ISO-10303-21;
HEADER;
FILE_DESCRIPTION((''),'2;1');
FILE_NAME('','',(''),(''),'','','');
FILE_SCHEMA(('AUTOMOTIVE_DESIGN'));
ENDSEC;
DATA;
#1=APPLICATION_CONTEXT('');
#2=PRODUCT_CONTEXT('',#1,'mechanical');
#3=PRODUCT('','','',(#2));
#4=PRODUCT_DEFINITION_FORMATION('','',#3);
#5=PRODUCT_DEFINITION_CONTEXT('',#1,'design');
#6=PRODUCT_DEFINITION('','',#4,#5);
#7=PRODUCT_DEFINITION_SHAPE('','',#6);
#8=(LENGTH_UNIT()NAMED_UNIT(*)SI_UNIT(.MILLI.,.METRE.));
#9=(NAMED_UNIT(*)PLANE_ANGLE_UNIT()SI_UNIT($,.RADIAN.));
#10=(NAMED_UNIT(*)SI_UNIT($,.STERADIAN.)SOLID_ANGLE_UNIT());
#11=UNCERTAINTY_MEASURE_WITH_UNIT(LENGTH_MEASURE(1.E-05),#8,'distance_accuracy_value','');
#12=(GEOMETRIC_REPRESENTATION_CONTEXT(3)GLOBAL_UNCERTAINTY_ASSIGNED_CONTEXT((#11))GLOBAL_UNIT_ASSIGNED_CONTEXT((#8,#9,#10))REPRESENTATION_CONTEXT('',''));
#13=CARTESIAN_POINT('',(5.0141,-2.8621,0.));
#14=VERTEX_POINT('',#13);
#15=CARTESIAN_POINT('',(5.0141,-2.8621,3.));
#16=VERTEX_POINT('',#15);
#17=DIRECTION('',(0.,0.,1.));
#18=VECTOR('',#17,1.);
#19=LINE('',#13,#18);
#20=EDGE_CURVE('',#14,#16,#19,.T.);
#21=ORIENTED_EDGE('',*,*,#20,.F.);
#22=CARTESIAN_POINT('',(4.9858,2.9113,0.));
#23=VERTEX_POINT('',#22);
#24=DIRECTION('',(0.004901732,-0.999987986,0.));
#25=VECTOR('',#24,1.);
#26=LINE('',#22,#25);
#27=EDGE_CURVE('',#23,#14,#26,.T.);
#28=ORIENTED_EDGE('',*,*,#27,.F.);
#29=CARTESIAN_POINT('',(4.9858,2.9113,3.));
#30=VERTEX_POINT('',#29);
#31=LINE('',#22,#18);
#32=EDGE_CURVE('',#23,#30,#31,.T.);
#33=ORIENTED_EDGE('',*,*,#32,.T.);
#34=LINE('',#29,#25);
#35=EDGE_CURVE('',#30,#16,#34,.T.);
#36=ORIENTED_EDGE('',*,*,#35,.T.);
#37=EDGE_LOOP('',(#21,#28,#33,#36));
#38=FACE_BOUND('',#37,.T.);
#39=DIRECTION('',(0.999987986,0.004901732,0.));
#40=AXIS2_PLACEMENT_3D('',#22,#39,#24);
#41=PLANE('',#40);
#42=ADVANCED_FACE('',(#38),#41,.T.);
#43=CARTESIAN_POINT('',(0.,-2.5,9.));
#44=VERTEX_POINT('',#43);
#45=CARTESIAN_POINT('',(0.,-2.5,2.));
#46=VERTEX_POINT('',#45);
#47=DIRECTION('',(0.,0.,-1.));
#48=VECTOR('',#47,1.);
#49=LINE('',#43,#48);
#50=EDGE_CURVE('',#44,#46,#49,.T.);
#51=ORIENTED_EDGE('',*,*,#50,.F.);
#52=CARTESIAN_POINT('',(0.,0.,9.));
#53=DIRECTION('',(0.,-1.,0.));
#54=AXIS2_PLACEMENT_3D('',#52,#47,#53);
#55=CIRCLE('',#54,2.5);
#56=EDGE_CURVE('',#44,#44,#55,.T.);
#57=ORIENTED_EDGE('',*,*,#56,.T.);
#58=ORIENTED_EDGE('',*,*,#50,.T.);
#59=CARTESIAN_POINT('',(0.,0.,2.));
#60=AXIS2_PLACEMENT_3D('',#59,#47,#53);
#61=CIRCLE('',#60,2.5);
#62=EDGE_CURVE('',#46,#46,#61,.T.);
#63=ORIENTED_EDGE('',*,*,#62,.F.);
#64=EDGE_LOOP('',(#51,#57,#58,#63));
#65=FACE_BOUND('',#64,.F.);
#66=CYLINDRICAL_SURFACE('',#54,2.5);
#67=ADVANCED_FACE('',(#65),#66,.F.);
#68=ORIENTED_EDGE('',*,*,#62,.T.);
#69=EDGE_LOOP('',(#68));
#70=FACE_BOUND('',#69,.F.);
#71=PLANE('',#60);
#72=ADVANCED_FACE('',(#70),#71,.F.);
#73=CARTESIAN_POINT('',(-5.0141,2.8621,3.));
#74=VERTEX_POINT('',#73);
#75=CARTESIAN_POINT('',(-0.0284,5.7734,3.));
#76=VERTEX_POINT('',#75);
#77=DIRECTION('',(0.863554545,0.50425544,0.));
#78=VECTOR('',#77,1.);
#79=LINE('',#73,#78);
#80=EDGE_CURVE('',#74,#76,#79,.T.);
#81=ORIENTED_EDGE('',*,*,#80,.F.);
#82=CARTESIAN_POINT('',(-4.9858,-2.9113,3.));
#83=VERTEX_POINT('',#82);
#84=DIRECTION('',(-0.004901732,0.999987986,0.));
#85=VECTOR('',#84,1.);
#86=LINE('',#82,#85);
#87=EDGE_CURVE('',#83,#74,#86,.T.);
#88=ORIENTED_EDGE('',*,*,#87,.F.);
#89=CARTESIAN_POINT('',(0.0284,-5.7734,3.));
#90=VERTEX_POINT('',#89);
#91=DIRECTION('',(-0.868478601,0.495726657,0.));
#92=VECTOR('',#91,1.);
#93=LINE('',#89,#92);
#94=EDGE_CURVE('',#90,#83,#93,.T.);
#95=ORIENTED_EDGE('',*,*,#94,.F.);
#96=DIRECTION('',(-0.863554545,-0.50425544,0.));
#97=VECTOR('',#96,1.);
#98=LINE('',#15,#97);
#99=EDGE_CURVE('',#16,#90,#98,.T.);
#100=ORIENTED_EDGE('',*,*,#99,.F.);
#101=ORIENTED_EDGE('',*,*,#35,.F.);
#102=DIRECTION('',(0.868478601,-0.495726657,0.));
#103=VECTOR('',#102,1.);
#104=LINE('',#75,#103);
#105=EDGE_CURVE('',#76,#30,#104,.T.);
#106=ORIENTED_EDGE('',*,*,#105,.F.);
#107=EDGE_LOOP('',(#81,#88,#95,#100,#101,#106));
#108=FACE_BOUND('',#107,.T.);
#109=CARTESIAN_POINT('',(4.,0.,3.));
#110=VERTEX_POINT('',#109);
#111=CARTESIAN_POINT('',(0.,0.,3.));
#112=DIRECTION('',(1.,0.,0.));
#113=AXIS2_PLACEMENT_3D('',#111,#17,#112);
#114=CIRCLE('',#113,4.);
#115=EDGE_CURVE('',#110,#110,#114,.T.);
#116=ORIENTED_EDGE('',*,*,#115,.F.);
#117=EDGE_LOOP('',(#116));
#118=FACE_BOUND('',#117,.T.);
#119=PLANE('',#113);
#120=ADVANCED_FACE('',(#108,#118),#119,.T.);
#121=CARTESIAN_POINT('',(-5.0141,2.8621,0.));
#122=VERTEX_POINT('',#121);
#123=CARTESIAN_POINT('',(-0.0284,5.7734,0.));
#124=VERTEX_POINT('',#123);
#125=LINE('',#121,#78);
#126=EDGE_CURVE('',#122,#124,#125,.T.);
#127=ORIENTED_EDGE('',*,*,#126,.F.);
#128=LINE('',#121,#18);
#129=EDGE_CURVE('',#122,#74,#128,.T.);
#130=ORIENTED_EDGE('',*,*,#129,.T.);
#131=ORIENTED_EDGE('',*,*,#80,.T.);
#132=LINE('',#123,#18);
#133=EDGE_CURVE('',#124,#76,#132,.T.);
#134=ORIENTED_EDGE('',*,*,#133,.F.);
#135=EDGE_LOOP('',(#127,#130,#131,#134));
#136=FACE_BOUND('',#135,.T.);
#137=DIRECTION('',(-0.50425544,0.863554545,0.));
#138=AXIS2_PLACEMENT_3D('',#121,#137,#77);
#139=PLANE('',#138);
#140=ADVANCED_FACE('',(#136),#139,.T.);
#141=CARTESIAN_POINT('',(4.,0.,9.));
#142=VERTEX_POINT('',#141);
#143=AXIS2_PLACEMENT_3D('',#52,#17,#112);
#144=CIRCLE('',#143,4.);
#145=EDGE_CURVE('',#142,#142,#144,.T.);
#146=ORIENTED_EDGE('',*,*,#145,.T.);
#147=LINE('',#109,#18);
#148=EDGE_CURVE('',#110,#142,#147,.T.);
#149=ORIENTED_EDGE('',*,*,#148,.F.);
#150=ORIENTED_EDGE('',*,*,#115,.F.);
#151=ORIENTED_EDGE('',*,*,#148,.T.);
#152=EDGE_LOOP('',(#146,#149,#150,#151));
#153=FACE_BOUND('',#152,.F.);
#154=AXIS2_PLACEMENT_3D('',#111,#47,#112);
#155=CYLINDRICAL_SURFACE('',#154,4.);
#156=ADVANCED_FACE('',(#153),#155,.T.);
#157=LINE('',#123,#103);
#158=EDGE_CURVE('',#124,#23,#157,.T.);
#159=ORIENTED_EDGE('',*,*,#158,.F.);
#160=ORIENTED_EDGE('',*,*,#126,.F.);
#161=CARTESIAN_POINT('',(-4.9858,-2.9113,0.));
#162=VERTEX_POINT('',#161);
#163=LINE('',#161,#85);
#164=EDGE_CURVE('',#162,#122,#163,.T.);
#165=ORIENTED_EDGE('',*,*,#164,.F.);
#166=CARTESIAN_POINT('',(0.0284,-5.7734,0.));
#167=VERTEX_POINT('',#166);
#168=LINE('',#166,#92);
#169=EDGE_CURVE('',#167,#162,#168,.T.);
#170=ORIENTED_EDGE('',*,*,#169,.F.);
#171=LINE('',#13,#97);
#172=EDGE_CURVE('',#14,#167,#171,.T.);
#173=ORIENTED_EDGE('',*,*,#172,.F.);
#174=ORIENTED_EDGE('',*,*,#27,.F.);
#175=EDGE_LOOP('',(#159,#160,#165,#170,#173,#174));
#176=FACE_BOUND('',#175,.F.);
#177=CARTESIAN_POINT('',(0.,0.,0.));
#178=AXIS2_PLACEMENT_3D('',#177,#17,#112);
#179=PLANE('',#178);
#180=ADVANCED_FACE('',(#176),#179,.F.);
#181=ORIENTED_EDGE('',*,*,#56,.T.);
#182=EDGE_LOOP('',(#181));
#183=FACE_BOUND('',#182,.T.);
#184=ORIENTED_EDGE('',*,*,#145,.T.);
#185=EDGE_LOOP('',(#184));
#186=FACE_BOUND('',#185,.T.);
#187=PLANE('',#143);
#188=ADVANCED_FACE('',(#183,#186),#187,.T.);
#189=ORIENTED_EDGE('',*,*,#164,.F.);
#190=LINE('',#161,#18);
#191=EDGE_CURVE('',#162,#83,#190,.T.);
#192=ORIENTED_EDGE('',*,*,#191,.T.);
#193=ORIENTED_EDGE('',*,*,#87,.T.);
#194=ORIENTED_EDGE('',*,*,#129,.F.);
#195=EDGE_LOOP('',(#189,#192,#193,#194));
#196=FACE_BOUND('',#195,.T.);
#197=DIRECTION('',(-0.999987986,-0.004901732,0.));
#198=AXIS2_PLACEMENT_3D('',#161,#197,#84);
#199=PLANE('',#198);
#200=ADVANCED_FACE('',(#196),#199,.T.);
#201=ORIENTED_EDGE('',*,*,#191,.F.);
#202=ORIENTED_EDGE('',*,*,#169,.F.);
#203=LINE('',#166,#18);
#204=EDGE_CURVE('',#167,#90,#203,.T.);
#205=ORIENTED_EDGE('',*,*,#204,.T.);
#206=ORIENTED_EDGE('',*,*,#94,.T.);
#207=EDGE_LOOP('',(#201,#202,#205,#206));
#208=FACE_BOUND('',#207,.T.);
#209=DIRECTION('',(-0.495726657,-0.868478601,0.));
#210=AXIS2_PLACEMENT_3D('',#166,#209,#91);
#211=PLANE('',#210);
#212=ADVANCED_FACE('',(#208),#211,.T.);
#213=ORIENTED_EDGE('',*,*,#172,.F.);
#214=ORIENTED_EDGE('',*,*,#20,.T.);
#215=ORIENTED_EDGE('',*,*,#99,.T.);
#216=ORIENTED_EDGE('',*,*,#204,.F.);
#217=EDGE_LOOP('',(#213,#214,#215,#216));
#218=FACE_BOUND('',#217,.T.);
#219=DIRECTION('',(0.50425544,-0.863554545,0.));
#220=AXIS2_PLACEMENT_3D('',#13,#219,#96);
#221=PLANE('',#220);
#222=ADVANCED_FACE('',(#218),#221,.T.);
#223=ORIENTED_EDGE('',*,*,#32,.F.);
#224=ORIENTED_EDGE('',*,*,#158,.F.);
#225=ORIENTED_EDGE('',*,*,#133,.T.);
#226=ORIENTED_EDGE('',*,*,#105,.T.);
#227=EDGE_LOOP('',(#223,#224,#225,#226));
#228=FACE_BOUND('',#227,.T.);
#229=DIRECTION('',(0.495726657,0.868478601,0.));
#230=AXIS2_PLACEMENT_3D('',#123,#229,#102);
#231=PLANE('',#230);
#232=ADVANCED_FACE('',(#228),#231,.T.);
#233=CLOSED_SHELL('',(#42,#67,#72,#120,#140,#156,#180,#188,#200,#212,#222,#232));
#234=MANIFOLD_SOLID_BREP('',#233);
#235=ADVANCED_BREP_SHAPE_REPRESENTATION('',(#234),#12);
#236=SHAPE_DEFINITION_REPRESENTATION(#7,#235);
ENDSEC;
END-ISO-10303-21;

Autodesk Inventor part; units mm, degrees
ref_plane "YZ Plane" through (0, 0, 0) normal (1, 0, 0) x (0, 1, 0)
ref_plane "XZ Plane" through (0, 0, 0) normal (0, 1, 0) x (-1, 0, 0)
ref_plane "XY Plane" through (0, 0, 0) normal (0, 0, 1) x (1, 0, 0)
sketch "Boceto1" plane through (0, 0, 0) normal (0, 0, 1) x (1, 0, 0)
  line L0 (5.0141, -2.8621) -> (0.0284, -5.7734)
  line L1 (0.0284, -5.7734) -> (-4.9858, -2.9113)
  line L2 (-4.9858, -2.9113) -> (-5.0141, 2.8621)
  line L3 (-5.0141, 2.8621) -> (-0.0284, 5.7734)
  line L4 (-0.0284, 5.7734) -> (4.9858, 2.9113)
  line L5 (4.9858, 2.9113) -> (5.0141, -2.8621)
  point P0 (0, 0)
  point P1 (0, 0)
  dimension "d0" = 10
extrude "Extrusión1" add sketch "Boceto1" along normal blind 3
sketch "Boceto2" plane through (0, 0, 3) normal (0, 0, 1) x (1, 0, 0)
  circle A0 centre (0, 0) radius 4
  circle A1 centre (0, 0) radius 2.5
  dimension "d3" = 8
  dimension "d4" = 5
extrude "Extrusión2" add sketch "Boceto2" along normal blind 6 contours A0 | A1
sketch "Boceto3" plane through (0, 0, 9) normal (0, 0, 1) x (1, 0, 0)
  point P0 (0, 0)
  point P1 (0, 0)
hole "Agujero1" at (0, 0, 9) direction (0, 0, -1) diameter 5 depth 7
thread "Rosca1" size "M8x1.25" class "6g" standard "ANSI Metric M Profile" length 18.5
properties part number "Hudson 1-57"
